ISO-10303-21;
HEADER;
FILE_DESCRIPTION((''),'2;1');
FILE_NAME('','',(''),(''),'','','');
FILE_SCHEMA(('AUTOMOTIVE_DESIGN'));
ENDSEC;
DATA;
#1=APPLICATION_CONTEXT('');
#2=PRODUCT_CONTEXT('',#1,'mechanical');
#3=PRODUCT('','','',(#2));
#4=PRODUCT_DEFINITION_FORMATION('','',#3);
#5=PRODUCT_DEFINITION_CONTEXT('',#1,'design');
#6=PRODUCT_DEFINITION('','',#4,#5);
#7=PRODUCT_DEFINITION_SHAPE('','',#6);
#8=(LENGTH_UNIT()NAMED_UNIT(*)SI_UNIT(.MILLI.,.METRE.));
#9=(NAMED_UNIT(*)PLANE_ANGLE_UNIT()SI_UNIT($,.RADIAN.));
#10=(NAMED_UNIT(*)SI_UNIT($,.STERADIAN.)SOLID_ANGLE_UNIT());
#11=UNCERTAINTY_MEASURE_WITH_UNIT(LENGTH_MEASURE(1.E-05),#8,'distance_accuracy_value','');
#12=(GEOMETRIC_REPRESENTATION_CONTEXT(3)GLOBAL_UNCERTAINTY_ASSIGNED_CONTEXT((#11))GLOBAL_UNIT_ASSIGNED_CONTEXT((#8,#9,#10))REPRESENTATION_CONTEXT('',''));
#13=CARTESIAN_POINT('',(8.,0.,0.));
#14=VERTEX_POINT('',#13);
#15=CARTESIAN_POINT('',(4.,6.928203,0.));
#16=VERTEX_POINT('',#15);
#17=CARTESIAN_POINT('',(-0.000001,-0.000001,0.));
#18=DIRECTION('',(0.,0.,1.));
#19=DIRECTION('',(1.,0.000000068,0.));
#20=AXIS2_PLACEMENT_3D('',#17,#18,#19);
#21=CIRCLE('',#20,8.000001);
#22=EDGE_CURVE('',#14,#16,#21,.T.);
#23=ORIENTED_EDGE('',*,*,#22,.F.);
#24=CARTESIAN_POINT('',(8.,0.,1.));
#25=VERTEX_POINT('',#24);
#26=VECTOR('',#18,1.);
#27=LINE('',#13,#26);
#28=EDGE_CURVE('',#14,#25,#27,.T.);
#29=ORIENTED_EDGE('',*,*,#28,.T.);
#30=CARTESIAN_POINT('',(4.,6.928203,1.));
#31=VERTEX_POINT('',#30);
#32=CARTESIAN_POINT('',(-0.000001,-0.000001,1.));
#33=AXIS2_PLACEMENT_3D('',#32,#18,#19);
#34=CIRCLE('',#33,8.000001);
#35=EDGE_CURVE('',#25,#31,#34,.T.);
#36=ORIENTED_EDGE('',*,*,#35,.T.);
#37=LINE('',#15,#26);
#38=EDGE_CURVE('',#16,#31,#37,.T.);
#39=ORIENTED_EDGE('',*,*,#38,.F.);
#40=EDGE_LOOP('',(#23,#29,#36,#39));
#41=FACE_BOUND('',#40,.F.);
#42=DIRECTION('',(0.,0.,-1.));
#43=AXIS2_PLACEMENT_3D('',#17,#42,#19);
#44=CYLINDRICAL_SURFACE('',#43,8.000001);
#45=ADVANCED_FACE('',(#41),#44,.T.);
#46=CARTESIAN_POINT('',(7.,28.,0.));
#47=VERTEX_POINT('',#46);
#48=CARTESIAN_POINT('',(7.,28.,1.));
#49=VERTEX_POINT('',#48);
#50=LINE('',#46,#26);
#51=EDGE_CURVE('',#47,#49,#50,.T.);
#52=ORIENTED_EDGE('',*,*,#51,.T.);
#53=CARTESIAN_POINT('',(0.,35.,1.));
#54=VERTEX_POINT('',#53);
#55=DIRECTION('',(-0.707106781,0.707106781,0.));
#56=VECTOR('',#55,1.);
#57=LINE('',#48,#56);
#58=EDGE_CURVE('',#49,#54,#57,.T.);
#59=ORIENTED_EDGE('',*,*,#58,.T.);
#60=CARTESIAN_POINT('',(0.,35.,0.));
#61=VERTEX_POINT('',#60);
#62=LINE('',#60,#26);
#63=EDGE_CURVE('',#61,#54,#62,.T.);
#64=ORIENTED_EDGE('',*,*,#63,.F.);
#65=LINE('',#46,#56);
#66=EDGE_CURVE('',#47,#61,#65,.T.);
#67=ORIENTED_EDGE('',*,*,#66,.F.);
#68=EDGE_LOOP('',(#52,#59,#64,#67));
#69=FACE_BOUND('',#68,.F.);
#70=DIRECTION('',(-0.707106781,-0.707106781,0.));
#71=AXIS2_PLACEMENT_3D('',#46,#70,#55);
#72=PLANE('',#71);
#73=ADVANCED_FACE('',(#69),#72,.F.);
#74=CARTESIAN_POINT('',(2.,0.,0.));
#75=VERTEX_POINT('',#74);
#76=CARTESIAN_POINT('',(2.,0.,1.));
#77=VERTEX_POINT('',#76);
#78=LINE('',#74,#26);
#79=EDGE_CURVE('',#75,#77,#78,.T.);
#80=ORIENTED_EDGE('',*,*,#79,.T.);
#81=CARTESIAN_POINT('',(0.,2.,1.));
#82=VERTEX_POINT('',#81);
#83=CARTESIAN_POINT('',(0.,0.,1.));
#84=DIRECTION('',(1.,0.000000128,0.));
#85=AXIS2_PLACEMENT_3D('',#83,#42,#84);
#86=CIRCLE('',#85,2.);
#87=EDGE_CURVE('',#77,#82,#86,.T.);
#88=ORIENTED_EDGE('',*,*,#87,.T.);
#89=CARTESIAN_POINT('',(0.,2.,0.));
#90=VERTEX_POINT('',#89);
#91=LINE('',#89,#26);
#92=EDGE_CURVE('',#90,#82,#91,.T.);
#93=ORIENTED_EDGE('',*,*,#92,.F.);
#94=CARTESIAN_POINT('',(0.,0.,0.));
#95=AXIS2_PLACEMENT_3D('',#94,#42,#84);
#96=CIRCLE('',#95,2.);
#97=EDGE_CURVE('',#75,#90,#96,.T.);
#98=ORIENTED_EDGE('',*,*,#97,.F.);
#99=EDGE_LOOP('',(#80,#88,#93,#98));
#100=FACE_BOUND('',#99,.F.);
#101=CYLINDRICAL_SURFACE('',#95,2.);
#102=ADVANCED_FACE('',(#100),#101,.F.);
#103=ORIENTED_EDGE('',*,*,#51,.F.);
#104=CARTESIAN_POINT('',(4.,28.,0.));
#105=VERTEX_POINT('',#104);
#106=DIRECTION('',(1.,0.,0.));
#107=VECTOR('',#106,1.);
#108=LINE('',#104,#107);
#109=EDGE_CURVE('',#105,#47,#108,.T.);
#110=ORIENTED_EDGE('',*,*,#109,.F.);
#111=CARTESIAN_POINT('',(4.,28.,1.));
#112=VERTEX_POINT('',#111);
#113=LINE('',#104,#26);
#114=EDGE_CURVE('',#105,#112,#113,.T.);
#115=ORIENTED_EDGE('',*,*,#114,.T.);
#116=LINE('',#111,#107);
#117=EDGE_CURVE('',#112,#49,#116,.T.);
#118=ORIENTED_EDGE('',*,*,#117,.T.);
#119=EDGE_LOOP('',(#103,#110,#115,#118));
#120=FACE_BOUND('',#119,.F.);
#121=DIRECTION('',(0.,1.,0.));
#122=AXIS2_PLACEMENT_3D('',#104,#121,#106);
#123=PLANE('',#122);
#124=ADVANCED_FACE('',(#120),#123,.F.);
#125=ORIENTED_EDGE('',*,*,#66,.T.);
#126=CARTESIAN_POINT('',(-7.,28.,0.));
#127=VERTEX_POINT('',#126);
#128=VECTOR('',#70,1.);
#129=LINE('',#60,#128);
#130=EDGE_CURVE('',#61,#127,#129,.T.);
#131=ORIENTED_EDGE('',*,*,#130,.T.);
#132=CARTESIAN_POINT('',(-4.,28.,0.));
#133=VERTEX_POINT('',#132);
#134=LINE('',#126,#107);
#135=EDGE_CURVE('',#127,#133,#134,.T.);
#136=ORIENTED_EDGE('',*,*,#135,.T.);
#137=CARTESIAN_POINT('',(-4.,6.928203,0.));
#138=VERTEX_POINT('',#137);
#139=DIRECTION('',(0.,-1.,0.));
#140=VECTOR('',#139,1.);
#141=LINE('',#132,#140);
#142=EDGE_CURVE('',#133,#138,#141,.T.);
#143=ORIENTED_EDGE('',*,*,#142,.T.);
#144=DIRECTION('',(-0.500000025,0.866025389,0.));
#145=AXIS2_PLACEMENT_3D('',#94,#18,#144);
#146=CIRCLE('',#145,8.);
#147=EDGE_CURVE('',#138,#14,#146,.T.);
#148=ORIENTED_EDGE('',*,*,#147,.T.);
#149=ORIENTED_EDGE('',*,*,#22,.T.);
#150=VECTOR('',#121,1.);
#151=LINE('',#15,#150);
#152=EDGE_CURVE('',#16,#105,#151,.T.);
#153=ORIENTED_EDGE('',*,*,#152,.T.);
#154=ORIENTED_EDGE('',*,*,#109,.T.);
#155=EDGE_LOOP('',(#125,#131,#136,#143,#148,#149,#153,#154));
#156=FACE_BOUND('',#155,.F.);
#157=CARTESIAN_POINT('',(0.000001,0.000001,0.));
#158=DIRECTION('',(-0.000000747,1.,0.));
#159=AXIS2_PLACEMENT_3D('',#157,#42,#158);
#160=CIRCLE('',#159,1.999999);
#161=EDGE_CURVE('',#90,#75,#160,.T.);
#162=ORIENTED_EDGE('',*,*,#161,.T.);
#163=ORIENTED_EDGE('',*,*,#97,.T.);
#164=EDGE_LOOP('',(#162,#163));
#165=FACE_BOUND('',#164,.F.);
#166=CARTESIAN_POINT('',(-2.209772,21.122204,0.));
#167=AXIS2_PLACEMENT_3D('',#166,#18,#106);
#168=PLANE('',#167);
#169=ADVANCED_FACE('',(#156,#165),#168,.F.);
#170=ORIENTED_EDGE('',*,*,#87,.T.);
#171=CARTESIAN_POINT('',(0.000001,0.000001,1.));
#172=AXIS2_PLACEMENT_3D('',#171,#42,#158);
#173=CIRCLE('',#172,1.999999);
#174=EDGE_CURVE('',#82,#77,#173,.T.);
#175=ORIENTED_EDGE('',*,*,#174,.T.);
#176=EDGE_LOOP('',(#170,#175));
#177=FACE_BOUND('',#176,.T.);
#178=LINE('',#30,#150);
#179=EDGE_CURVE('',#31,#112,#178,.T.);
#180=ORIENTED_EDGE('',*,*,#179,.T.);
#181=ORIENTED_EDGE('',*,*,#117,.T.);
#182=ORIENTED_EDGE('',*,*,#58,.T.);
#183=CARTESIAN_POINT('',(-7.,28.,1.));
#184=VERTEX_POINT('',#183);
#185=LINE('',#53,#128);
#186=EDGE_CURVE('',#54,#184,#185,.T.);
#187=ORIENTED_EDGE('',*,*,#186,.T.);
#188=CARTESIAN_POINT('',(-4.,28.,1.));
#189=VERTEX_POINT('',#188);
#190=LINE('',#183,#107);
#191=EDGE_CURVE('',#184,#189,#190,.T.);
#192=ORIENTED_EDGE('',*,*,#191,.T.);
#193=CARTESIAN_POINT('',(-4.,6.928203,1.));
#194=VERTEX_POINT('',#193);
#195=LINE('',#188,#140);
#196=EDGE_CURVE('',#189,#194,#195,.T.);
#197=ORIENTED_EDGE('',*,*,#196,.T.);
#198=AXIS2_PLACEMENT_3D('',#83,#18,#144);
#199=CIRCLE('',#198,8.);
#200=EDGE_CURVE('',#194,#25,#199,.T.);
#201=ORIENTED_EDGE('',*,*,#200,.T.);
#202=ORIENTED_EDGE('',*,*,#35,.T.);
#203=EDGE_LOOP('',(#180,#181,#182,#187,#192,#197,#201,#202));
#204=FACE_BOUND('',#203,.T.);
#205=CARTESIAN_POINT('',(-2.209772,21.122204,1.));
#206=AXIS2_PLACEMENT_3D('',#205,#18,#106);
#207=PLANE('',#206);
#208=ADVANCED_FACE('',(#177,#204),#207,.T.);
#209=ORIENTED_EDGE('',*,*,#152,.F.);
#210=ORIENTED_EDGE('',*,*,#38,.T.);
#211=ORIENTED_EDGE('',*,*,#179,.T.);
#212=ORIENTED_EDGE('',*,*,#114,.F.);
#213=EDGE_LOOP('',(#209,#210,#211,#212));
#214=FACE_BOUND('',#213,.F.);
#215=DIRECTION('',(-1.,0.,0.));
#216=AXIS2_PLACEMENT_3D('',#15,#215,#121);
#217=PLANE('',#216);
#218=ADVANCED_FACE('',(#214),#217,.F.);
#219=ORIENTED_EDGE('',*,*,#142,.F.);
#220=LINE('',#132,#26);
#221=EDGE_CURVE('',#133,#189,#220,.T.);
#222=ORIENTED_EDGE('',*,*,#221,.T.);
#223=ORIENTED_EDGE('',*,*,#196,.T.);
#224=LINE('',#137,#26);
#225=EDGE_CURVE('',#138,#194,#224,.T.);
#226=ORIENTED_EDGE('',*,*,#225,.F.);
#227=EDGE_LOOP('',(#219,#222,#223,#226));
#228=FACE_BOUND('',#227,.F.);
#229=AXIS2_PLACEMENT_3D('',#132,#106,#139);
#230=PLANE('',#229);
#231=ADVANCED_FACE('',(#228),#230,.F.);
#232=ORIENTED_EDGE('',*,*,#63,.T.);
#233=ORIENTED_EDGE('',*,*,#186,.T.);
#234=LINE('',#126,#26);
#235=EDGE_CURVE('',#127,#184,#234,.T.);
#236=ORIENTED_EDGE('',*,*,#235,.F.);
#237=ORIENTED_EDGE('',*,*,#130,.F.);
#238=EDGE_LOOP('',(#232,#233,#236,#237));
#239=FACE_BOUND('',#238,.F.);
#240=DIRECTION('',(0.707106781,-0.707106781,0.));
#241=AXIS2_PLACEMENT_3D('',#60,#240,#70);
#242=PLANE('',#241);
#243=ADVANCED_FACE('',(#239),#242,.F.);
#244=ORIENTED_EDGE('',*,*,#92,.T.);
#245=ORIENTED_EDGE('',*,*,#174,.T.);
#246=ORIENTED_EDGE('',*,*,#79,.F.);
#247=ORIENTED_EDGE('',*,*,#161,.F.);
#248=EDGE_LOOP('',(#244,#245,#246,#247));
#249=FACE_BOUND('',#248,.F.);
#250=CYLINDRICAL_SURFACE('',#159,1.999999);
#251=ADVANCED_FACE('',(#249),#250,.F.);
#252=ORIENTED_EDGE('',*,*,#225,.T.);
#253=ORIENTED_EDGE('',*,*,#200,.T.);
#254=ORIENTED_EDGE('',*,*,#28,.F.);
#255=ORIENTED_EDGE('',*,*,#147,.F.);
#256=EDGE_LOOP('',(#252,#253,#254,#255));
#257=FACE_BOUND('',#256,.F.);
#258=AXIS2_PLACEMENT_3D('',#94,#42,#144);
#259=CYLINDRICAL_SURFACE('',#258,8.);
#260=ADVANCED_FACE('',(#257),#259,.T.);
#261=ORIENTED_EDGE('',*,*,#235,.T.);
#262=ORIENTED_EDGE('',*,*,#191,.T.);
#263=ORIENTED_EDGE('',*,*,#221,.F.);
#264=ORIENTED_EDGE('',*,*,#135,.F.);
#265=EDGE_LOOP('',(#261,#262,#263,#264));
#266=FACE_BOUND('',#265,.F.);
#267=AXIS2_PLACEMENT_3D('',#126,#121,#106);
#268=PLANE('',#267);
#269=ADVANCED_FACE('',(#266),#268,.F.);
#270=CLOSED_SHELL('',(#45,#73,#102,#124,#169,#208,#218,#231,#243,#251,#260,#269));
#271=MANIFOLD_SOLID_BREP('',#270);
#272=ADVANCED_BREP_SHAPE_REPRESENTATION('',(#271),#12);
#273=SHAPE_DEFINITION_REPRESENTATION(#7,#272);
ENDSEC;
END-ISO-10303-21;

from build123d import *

# Parameters (mm, degrees)
F1_DEPTH = 1


with BuildPart() as f1:
    # F0 (on Top) → F1 (new body)
    with BuildSketch(Plane.XY):
        with BuildLine():
            ThreePointArc((-4, 6.928203), (-2.070552, 7.727407), (0, 8))
            Line((0, 8), (0, 35))
            Line((0, 35), (-7, 28))
            Line((-7, 28), (-4, 28))
            Line((-4, 28), (-4, 6.928203))
        make_face()
        with BuildLine():
            Line((0, 35), (0, 8))
            ThreePointArc((0, 8), (2.070552, 7.727407), (4, 6.928203))
            Line((4, 6.928203), (4, 28))
            Line((4, 28), (7, 28))
            Line((7, 28), (0, 35))
        make_face()
        with BuildLine():
            ThreePointArc((4, 6.928203), (2.070552, 7.727407), (0, 8))
            ThreePointArc((0, 8), (-2.070552, 7.727407), (-4, 6.928203))
            ThreePointArc((-4, 6.928203), (-4, -6.928203), (8, 0))
            ThreePointArc((8, 0), (6.928203, 4), (4, 6.928203))
        make_face()
        with BuildLine():
            ThreePointArc((0, 2), (1.414214, 1.414214), (2, 0))
            ThreePointArc((2, 0), (-1.414214, -1.414214), (0, 2))
        make_face(mode=Mode.SUBTRACT)
    extrude(amount=F1_DEPTH)


solid = f1.part
